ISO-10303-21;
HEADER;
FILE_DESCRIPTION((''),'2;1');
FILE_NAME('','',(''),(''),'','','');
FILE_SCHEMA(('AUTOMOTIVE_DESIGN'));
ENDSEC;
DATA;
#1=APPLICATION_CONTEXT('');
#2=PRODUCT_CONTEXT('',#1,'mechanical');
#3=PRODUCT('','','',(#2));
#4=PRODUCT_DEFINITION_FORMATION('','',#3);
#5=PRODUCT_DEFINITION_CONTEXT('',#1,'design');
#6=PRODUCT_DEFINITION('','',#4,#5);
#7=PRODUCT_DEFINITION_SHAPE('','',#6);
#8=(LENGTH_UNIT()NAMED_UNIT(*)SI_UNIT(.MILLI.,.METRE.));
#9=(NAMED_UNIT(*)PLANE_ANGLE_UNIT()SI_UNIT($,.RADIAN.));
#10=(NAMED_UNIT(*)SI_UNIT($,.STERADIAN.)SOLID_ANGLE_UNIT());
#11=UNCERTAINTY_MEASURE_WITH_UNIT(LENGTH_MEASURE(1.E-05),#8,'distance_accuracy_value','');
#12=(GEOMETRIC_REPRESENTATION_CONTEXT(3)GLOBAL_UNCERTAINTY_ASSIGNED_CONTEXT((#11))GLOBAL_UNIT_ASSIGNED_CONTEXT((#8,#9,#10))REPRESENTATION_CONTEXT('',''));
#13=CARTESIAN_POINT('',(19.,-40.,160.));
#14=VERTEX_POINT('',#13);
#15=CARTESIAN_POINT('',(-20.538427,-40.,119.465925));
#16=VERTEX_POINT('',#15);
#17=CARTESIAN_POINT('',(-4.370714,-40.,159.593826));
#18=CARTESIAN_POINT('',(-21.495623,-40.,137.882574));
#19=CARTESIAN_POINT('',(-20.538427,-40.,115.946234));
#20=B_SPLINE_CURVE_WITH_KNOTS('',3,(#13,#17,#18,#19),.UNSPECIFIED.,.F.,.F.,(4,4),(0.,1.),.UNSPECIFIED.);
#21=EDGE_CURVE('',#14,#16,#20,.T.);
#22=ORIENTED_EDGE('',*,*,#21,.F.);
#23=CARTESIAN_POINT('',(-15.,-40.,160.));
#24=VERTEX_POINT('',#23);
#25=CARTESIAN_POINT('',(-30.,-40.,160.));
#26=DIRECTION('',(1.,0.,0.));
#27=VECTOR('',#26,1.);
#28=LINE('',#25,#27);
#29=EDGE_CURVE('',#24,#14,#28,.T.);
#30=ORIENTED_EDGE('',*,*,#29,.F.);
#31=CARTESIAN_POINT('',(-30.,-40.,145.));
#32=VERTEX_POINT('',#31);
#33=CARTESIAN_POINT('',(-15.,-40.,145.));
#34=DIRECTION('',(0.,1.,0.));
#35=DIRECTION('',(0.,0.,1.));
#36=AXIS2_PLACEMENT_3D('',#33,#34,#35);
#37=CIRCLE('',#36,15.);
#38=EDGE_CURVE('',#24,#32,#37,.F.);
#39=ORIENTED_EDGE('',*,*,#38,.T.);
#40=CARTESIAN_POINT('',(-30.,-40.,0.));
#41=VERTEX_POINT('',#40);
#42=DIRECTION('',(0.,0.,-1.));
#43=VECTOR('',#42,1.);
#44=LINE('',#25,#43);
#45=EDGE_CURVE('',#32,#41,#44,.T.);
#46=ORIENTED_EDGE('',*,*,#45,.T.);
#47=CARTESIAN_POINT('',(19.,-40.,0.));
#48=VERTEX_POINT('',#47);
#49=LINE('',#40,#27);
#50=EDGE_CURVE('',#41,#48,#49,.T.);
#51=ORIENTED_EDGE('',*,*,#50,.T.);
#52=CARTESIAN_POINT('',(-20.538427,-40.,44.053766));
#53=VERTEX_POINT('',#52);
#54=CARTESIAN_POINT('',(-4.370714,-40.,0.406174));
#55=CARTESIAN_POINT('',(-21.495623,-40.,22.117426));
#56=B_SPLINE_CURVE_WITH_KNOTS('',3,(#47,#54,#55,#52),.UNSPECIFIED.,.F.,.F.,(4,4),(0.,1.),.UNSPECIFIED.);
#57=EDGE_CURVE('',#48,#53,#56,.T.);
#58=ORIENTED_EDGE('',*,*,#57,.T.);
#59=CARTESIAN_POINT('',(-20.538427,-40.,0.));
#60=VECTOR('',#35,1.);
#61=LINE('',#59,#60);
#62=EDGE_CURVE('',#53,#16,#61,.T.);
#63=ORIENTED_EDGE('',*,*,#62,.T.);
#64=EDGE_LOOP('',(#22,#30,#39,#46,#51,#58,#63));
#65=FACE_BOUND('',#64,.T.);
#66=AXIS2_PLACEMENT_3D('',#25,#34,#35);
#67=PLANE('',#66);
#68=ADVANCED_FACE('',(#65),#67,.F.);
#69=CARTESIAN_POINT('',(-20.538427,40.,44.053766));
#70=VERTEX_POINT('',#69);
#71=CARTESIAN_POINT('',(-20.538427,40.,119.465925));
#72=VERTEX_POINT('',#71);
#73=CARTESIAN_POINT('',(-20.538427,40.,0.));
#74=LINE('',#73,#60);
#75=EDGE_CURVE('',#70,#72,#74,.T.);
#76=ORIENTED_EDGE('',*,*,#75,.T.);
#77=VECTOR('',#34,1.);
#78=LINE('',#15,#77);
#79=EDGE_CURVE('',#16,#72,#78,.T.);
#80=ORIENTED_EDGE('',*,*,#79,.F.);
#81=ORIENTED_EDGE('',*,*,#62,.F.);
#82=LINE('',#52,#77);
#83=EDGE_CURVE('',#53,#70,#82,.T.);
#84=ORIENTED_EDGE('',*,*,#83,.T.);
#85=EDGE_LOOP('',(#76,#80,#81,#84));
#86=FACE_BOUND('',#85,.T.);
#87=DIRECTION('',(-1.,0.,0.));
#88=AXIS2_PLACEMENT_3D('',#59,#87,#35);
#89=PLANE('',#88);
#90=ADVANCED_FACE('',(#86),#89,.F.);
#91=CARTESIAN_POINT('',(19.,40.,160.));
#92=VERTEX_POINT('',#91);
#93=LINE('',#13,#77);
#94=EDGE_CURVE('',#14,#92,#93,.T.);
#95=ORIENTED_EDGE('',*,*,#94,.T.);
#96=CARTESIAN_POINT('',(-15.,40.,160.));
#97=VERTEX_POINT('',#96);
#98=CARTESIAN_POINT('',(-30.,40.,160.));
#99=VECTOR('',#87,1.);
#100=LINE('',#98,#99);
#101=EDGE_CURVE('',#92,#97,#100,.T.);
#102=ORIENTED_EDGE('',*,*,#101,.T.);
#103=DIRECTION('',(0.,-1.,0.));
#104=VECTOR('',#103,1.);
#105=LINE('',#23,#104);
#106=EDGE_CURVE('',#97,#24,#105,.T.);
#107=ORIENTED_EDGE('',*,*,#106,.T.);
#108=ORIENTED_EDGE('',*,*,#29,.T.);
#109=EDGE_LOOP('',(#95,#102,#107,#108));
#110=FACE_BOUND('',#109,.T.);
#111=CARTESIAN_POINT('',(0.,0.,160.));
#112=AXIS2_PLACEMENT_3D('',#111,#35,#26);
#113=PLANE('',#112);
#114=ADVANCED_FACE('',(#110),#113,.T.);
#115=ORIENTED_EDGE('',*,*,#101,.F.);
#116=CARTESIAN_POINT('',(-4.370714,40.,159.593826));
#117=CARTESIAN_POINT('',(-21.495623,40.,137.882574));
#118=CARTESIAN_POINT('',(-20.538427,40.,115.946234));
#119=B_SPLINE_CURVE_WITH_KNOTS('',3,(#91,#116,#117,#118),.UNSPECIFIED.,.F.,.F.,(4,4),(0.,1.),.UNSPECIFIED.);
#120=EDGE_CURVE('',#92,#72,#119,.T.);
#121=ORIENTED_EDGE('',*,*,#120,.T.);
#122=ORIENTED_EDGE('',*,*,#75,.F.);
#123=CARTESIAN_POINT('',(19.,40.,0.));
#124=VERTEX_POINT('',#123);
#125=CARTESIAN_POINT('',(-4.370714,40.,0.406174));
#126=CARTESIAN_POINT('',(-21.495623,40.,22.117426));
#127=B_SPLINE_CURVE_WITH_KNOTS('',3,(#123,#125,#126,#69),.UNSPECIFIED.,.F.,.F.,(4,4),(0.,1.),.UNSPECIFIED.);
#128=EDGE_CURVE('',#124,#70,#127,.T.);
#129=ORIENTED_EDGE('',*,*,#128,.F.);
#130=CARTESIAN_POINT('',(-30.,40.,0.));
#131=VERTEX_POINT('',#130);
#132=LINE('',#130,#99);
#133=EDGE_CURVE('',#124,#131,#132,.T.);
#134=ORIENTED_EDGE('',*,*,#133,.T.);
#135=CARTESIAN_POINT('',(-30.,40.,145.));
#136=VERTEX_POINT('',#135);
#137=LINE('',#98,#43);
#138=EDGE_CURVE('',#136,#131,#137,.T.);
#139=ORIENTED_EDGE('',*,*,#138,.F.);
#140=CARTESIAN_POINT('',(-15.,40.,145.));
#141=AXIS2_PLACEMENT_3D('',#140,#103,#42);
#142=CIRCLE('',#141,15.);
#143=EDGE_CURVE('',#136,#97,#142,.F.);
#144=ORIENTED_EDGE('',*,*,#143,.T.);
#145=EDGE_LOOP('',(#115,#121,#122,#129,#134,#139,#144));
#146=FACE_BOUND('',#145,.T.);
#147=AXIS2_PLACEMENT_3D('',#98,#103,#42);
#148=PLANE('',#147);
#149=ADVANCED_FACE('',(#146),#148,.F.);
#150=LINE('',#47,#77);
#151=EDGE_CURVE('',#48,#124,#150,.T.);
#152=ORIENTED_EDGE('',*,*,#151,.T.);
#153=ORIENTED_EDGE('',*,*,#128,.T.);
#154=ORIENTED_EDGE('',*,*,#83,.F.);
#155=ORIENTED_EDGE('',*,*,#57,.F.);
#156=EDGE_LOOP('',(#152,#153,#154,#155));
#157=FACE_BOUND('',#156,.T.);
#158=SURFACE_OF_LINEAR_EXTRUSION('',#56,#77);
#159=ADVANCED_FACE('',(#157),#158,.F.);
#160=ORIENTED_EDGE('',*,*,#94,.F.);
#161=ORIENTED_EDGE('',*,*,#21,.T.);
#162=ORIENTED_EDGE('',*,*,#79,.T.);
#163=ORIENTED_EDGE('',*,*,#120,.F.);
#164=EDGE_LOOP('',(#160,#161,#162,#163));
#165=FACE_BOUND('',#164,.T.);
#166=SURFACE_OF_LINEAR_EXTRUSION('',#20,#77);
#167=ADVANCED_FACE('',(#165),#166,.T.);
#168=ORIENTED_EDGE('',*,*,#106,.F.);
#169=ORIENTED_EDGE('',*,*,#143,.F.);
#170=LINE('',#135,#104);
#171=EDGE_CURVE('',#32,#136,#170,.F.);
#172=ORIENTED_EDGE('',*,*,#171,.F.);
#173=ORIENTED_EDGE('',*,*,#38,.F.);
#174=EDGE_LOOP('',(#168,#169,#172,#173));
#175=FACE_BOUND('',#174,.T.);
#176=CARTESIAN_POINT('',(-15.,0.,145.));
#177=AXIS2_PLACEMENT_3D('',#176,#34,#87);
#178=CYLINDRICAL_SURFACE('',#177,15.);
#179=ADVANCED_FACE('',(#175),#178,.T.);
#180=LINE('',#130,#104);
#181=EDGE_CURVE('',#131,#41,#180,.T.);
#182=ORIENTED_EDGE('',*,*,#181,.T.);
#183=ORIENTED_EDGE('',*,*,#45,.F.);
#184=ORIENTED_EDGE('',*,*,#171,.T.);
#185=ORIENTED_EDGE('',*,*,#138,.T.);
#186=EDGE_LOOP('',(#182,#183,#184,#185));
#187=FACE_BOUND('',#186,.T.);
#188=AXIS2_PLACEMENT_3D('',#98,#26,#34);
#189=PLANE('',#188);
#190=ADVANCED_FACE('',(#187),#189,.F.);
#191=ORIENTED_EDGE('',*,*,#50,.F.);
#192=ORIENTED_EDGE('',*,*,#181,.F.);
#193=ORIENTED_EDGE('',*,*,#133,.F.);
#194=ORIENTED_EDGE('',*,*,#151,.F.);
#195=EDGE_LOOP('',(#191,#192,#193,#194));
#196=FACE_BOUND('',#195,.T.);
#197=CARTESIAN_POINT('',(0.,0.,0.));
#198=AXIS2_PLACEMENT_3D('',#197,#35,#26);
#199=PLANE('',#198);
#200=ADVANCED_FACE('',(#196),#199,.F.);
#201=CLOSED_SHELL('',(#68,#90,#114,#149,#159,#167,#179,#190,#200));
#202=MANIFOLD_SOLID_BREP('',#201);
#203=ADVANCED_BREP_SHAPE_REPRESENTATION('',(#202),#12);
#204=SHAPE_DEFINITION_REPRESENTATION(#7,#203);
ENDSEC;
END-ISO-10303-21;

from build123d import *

# Parameters (mm, degrees)
SKETCH1_W           = 60
SKETCH1_H           = 80
BOSS_EXTRUDE1_DEPTH = 160
CUT_EXTRUDE1_DEPTH  = 182.383571472
FILLET1_R           = 15


with BuildPart() as part:
    # Sketch1 → Boss-Extrude1 (new body)
    with BuildSketch(Plane.XY):
        Rectangle(SKETCH1_W, SKETCH1_H)
    extrude(amount=BOSS_EXTRUDE1_DEPTH)

    # Sketch2 → Cut-Extrude1 (cut, through all)
    with BuildSketch(Plane(origin=(0, 40, 0), x_dir=(1, 0, 0), z_dir=(0, 1, 0))):
        with BuildLine():
            Line((-20.538426818, -44.05376626), (-20.538426818, -80))
            Line((-20.538426818, -80), (30, -80))
            Line((30, -80), (30, 0))
            Line((30, 0), (19, 0))
            add(Edge.make_bspline(
                [(19, 0), (-4.370713607, -0.406174328), (-21.495622782, -22.117426015), (-20.538426818, -44.05376626)],
                knots=[0, 0, 0, 0, 1, 1, 1, 1], degree=3))
        make_face()
        with BuildLine():
            Line((-20.538426818, -80), (-20.538426818, -115.94623374))
            Line((-20.538426818, -115.94623374), (-20.538426818, -119.465924684))
            add(Edge.make_bspline(
                [(19, -160), (-3.118929784, -159.61558121), (-19.643213017, -140.147251157), (-20.538426818, -119.465924684)],
                knots=[0, 0, 0, 0, 0.946437929, 0.946437929, 0.946437929, 0.946437929], degree=3))
            Line((19, -160), (30, -160))
            Line((30, -160), (30, -80))
            Line((30, -80), (-20.538426818, -80))
        make_face()
    extrude(amount=-CUT_EXTRUDE1_DEPTH, mode=Mode.SUBTRACT)

    # Fillet1
    fillet1_edges = [part.edges().sort_by_distance(p)[0] for p in [
        (-30, 0, 160),
    ]]
    fillet(fillet1_edges, radius=FILLET1_R)


solid = part.part
